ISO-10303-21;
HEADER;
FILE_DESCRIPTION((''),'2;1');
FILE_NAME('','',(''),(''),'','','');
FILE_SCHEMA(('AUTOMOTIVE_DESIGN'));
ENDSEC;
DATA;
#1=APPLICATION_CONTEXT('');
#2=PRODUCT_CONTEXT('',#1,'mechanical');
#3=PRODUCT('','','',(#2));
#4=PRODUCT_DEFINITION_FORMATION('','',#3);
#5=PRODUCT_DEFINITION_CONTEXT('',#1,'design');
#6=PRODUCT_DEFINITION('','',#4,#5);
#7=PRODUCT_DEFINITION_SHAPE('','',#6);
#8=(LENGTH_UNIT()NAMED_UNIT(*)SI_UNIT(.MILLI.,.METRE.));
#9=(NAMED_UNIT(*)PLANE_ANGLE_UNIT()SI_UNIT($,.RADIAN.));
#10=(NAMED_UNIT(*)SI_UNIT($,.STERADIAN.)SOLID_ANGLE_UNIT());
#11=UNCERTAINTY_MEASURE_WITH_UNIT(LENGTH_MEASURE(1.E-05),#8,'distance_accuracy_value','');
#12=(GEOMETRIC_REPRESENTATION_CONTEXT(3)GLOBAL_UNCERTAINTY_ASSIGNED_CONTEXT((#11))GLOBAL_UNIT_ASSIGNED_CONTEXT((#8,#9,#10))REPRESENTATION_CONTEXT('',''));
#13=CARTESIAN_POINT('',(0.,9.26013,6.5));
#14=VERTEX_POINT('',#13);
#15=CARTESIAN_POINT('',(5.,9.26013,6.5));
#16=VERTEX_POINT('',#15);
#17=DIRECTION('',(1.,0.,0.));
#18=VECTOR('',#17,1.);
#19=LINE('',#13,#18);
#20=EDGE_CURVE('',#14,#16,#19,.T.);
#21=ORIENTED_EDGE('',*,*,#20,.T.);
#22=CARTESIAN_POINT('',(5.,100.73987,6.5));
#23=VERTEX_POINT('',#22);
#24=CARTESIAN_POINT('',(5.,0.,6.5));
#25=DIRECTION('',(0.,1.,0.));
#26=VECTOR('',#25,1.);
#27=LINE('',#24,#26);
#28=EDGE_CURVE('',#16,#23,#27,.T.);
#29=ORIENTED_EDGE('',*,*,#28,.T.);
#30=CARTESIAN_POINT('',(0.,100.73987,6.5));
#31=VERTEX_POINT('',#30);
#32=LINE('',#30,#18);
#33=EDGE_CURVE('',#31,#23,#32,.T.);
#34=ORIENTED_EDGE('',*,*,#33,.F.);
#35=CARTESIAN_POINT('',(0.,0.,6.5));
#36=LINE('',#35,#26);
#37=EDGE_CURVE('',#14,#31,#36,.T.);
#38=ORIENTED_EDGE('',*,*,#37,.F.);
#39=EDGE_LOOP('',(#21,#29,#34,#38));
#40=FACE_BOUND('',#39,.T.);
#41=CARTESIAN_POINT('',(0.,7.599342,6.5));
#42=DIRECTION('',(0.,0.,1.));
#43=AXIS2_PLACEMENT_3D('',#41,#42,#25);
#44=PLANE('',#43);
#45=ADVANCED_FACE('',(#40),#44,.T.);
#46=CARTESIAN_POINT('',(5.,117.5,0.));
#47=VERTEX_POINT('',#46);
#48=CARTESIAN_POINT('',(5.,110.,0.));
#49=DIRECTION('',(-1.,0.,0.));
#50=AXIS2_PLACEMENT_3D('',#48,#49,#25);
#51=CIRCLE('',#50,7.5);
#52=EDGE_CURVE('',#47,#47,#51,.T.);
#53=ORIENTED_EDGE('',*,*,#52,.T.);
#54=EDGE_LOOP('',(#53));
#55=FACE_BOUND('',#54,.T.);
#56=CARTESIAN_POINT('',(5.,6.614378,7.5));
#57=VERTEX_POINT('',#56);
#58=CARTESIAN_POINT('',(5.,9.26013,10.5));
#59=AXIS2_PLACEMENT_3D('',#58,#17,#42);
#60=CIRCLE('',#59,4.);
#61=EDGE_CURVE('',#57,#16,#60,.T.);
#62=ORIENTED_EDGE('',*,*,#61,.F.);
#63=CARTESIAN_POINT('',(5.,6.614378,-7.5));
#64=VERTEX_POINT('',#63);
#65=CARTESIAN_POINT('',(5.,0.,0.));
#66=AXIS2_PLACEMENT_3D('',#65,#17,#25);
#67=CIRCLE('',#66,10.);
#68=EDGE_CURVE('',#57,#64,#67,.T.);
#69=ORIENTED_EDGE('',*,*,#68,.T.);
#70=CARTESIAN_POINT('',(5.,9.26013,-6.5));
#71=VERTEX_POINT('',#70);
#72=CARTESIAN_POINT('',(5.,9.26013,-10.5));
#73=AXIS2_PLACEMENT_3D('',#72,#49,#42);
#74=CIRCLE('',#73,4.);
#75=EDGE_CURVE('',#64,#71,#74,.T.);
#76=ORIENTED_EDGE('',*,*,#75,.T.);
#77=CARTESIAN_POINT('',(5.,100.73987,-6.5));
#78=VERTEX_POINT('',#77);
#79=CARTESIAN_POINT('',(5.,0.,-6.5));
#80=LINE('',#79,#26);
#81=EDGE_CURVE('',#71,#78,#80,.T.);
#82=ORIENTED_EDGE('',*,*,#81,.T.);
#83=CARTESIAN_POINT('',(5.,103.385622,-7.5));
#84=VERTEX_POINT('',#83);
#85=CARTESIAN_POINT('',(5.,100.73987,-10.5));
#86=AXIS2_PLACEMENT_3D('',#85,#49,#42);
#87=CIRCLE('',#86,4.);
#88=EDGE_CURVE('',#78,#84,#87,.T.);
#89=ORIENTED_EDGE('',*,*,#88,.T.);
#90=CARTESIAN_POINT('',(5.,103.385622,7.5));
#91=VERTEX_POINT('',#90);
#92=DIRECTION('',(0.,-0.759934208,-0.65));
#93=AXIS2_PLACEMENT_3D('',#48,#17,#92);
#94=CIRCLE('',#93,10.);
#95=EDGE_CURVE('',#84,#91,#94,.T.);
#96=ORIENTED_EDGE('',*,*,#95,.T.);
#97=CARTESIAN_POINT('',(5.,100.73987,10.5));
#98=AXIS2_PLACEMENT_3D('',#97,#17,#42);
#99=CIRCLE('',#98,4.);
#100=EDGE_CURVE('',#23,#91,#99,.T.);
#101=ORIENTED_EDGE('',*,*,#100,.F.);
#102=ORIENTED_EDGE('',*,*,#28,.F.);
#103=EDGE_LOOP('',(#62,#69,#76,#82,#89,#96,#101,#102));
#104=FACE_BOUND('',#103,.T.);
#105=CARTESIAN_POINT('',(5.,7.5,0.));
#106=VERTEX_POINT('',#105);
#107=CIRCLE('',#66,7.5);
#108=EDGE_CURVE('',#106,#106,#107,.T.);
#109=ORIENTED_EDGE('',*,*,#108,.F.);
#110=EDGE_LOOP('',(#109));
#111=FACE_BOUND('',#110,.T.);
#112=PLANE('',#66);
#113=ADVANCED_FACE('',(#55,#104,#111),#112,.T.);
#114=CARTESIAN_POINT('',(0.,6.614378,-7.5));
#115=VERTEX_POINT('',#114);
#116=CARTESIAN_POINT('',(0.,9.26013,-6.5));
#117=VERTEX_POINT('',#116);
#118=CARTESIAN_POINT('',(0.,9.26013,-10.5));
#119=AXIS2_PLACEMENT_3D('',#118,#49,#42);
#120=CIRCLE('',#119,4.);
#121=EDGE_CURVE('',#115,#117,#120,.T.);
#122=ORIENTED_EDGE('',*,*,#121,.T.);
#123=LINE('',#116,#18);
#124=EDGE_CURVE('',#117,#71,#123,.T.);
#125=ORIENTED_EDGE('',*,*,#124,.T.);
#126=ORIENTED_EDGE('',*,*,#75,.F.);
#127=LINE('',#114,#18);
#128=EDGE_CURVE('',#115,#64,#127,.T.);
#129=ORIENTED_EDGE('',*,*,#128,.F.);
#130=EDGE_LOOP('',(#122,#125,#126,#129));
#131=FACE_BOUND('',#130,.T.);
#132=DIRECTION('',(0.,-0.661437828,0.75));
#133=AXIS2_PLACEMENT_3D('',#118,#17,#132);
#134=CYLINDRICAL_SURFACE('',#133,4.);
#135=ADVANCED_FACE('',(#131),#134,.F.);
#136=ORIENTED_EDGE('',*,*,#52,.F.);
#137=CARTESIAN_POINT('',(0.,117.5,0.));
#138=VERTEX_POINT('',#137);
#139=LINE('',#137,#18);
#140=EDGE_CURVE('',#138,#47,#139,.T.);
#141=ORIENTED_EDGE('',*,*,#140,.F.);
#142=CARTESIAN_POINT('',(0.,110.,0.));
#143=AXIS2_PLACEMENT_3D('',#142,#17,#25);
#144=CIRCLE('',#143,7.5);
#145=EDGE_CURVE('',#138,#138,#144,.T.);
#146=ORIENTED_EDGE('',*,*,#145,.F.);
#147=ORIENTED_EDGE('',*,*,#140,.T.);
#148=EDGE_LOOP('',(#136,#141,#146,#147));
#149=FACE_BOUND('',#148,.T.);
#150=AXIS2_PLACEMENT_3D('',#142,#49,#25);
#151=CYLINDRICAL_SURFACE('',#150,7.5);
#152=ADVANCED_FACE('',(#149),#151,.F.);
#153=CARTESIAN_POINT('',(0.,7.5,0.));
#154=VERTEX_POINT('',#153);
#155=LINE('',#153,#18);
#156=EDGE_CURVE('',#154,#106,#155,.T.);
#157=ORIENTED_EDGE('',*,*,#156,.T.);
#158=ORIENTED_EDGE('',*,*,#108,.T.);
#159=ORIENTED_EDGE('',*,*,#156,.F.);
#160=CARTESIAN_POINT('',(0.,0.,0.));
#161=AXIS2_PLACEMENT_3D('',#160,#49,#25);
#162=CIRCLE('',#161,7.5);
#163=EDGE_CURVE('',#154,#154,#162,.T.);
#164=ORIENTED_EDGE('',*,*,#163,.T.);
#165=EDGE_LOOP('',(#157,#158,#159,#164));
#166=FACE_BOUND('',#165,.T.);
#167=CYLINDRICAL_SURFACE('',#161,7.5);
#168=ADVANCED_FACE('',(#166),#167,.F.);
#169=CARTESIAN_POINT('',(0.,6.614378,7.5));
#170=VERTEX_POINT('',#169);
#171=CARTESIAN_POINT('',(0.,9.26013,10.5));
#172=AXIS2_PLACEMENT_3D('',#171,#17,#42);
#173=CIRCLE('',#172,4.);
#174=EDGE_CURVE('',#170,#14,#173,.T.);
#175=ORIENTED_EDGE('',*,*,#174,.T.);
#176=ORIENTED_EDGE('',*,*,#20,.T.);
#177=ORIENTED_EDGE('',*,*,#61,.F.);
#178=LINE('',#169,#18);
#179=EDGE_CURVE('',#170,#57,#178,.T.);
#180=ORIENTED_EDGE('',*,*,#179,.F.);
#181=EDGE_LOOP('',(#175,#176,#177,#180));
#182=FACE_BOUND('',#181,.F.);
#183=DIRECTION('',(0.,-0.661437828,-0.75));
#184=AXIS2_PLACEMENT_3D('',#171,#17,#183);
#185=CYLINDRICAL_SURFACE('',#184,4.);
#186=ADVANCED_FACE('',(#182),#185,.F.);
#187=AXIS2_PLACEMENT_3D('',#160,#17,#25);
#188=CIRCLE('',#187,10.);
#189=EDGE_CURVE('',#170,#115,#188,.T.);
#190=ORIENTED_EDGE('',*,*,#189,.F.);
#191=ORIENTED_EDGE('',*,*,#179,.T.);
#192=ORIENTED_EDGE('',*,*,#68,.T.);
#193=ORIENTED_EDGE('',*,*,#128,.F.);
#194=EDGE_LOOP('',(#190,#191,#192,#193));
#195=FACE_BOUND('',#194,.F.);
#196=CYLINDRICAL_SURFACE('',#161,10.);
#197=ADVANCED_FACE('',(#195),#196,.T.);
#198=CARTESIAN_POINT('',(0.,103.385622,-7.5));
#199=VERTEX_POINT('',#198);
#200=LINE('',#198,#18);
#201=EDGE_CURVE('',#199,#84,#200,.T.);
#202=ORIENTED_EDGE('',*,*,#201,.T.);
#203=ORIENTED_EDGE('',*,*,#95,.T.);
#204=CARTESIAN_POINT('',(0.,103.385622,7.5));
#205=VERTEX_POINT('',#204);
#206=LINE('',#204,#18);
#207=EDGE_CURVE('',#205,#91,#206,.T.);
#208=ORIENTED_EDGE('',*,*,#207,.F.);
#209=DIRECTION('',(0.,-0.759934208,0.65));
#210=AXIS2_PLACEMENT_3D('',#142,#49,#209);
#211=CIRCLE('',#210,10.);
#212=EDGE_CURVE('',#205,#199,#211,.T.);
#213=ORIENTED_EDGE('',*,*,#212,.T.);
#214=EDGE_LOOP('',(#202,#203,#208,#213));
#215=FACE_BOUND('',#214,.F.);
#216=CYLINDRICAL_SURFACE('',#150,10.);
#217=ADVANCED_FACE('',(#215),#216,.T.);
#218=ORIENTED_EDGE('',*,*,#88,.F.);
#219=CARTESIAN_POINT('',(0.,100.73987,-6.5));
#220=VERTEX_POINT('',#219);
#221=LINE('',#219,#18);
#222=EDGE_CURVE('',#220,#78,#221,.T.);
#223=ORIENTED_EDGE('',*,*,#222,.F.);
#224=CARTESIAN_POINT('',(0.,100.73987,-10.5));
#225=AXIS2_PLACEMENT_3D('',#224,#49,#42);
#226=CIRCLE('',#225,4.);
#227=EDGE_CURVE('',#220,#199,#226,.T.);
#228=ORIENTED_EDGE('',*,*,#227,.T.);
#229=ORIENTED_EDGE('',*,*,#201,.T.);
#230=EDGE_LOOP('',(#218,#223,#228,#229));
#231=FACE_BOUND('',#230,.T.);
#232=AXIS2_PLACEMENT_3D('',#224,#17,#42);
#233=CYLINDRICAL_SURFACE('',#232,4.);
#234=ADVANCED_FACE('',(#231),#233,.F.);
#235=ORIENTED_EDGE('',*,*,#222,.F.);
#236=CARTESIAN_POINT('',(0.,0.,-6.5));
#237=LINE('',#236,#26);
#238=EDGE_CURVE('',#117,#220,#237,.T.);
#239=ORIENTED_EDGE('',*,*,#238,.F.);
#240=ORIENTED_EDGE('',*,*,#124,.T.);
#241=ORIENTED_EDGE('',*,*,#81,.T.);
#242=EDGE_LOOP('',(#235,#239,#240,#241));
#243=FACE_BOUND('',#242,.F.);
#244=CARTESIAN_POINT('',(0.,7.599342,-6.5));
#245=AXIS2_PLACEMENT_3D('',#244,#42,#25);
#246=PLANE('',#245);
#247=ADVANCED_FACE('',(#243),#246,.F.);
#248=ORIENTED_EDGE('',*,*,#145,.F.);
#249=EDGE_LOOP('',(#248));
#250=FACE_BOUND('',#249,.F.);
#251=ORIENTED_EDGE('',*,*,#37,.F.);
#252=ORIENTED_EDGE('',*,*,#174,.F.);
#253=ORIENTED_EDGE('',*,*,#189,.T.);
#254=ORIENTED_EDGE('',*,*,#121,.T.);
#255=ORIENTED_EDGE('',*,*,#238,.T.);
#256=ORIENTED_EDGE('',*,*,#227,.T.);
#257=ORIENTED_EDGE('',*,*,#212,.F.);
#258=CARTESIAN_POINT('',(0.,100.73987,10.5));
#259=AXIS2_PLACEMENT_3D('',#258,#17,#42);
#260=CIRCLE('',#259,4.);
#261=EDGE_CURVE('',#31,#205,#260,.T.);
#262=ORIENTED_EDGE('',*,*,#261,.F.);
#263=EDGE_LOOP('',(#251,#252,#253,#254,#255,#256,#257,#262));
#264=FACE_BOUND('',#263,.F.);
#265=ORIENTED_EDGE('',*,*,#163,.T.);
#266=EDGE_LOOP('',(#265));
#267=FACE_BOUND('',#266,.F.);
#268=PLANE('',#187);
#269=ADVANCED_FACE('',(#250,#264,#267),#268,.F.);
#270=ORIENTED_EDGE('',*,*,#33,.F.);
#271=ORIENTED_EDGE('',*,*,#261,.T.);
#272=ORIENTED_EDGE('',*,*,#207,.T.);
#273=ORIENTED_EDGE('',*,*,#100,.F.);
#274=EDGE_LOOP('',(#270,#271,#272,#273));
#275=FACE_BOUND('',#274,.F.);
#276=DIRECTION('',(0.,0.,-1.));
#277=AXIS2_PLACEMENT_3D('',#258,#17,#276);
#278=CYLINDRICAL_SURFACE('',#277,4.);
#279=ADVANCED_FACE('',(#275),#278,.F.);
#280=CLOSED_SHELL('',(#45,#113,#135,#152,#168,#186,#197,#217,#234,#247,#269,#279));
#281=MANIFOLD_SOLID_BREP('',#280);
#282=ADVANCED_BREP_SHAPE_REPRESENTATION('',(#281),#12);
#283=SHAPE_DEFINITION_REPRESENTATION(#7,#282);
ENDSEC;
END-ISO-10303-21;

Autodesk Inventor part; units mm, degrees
ref_plane "YZ Plane" through (0, 0, 0) normal (1, 0, 0) x (0, 1, 0)
ref_plane "XZ Plane" through (0, 0, 0) normal (0, 1, 0) x (-1, 0, 0)
ref_plane "XY Plane" through (0, 0, 0) normal (0, 0, 1) x (1, 0, 0)
sketch "Sketch1" plane through (0, 0, 0) normal (1, 0, 0) x (0, 1, 0)
  circle A0 centre (0, 0) radius 10
  circle A1 centre (0, 0) radius 7.5
  line L0 (0, -6.5) -> (110, -6.5)
  line L1 (9.0104, 0) -> (0, 0)
  line L2 (0, 6.5) -> (110, 6.5)
  circle A2 centre (110, 0) radius 10
  circle A3 centre (110, 0) radius 7.5
  line L3 (119.0104, 0) -> (110, 0)
  point P0 (110, 6.5)
  point P1 (7.5993, -6.5)
  point P2 (102.4007, -6.5)
  point P3 (102.4007, 6.5)
  point P4 (7.5993, 6.5)
  dimension "d0" = 20
  dimension "d1" = 15
  dimension "d4" = 110
  dimension "d5" = 6.5
  dimension "d8" = 110
extrude "Extrusion1" add sketch "Sketch1" along normal blind 5 contours A0 L0 A1 L2 | A0 L2 A2 L0 | L2 A1 L0 A0 | A2 L0 A3 L2 | L2 A3 L0 A2
fillet "Fillet1" radius 4 4 edges at (2.5, 102.4007, 6.5) (2.5, 102.4007, -6.5) (2.5, 7.5993, -6.5) (2.5, 7.5993, 6.5)
properties part number "Cursor"
